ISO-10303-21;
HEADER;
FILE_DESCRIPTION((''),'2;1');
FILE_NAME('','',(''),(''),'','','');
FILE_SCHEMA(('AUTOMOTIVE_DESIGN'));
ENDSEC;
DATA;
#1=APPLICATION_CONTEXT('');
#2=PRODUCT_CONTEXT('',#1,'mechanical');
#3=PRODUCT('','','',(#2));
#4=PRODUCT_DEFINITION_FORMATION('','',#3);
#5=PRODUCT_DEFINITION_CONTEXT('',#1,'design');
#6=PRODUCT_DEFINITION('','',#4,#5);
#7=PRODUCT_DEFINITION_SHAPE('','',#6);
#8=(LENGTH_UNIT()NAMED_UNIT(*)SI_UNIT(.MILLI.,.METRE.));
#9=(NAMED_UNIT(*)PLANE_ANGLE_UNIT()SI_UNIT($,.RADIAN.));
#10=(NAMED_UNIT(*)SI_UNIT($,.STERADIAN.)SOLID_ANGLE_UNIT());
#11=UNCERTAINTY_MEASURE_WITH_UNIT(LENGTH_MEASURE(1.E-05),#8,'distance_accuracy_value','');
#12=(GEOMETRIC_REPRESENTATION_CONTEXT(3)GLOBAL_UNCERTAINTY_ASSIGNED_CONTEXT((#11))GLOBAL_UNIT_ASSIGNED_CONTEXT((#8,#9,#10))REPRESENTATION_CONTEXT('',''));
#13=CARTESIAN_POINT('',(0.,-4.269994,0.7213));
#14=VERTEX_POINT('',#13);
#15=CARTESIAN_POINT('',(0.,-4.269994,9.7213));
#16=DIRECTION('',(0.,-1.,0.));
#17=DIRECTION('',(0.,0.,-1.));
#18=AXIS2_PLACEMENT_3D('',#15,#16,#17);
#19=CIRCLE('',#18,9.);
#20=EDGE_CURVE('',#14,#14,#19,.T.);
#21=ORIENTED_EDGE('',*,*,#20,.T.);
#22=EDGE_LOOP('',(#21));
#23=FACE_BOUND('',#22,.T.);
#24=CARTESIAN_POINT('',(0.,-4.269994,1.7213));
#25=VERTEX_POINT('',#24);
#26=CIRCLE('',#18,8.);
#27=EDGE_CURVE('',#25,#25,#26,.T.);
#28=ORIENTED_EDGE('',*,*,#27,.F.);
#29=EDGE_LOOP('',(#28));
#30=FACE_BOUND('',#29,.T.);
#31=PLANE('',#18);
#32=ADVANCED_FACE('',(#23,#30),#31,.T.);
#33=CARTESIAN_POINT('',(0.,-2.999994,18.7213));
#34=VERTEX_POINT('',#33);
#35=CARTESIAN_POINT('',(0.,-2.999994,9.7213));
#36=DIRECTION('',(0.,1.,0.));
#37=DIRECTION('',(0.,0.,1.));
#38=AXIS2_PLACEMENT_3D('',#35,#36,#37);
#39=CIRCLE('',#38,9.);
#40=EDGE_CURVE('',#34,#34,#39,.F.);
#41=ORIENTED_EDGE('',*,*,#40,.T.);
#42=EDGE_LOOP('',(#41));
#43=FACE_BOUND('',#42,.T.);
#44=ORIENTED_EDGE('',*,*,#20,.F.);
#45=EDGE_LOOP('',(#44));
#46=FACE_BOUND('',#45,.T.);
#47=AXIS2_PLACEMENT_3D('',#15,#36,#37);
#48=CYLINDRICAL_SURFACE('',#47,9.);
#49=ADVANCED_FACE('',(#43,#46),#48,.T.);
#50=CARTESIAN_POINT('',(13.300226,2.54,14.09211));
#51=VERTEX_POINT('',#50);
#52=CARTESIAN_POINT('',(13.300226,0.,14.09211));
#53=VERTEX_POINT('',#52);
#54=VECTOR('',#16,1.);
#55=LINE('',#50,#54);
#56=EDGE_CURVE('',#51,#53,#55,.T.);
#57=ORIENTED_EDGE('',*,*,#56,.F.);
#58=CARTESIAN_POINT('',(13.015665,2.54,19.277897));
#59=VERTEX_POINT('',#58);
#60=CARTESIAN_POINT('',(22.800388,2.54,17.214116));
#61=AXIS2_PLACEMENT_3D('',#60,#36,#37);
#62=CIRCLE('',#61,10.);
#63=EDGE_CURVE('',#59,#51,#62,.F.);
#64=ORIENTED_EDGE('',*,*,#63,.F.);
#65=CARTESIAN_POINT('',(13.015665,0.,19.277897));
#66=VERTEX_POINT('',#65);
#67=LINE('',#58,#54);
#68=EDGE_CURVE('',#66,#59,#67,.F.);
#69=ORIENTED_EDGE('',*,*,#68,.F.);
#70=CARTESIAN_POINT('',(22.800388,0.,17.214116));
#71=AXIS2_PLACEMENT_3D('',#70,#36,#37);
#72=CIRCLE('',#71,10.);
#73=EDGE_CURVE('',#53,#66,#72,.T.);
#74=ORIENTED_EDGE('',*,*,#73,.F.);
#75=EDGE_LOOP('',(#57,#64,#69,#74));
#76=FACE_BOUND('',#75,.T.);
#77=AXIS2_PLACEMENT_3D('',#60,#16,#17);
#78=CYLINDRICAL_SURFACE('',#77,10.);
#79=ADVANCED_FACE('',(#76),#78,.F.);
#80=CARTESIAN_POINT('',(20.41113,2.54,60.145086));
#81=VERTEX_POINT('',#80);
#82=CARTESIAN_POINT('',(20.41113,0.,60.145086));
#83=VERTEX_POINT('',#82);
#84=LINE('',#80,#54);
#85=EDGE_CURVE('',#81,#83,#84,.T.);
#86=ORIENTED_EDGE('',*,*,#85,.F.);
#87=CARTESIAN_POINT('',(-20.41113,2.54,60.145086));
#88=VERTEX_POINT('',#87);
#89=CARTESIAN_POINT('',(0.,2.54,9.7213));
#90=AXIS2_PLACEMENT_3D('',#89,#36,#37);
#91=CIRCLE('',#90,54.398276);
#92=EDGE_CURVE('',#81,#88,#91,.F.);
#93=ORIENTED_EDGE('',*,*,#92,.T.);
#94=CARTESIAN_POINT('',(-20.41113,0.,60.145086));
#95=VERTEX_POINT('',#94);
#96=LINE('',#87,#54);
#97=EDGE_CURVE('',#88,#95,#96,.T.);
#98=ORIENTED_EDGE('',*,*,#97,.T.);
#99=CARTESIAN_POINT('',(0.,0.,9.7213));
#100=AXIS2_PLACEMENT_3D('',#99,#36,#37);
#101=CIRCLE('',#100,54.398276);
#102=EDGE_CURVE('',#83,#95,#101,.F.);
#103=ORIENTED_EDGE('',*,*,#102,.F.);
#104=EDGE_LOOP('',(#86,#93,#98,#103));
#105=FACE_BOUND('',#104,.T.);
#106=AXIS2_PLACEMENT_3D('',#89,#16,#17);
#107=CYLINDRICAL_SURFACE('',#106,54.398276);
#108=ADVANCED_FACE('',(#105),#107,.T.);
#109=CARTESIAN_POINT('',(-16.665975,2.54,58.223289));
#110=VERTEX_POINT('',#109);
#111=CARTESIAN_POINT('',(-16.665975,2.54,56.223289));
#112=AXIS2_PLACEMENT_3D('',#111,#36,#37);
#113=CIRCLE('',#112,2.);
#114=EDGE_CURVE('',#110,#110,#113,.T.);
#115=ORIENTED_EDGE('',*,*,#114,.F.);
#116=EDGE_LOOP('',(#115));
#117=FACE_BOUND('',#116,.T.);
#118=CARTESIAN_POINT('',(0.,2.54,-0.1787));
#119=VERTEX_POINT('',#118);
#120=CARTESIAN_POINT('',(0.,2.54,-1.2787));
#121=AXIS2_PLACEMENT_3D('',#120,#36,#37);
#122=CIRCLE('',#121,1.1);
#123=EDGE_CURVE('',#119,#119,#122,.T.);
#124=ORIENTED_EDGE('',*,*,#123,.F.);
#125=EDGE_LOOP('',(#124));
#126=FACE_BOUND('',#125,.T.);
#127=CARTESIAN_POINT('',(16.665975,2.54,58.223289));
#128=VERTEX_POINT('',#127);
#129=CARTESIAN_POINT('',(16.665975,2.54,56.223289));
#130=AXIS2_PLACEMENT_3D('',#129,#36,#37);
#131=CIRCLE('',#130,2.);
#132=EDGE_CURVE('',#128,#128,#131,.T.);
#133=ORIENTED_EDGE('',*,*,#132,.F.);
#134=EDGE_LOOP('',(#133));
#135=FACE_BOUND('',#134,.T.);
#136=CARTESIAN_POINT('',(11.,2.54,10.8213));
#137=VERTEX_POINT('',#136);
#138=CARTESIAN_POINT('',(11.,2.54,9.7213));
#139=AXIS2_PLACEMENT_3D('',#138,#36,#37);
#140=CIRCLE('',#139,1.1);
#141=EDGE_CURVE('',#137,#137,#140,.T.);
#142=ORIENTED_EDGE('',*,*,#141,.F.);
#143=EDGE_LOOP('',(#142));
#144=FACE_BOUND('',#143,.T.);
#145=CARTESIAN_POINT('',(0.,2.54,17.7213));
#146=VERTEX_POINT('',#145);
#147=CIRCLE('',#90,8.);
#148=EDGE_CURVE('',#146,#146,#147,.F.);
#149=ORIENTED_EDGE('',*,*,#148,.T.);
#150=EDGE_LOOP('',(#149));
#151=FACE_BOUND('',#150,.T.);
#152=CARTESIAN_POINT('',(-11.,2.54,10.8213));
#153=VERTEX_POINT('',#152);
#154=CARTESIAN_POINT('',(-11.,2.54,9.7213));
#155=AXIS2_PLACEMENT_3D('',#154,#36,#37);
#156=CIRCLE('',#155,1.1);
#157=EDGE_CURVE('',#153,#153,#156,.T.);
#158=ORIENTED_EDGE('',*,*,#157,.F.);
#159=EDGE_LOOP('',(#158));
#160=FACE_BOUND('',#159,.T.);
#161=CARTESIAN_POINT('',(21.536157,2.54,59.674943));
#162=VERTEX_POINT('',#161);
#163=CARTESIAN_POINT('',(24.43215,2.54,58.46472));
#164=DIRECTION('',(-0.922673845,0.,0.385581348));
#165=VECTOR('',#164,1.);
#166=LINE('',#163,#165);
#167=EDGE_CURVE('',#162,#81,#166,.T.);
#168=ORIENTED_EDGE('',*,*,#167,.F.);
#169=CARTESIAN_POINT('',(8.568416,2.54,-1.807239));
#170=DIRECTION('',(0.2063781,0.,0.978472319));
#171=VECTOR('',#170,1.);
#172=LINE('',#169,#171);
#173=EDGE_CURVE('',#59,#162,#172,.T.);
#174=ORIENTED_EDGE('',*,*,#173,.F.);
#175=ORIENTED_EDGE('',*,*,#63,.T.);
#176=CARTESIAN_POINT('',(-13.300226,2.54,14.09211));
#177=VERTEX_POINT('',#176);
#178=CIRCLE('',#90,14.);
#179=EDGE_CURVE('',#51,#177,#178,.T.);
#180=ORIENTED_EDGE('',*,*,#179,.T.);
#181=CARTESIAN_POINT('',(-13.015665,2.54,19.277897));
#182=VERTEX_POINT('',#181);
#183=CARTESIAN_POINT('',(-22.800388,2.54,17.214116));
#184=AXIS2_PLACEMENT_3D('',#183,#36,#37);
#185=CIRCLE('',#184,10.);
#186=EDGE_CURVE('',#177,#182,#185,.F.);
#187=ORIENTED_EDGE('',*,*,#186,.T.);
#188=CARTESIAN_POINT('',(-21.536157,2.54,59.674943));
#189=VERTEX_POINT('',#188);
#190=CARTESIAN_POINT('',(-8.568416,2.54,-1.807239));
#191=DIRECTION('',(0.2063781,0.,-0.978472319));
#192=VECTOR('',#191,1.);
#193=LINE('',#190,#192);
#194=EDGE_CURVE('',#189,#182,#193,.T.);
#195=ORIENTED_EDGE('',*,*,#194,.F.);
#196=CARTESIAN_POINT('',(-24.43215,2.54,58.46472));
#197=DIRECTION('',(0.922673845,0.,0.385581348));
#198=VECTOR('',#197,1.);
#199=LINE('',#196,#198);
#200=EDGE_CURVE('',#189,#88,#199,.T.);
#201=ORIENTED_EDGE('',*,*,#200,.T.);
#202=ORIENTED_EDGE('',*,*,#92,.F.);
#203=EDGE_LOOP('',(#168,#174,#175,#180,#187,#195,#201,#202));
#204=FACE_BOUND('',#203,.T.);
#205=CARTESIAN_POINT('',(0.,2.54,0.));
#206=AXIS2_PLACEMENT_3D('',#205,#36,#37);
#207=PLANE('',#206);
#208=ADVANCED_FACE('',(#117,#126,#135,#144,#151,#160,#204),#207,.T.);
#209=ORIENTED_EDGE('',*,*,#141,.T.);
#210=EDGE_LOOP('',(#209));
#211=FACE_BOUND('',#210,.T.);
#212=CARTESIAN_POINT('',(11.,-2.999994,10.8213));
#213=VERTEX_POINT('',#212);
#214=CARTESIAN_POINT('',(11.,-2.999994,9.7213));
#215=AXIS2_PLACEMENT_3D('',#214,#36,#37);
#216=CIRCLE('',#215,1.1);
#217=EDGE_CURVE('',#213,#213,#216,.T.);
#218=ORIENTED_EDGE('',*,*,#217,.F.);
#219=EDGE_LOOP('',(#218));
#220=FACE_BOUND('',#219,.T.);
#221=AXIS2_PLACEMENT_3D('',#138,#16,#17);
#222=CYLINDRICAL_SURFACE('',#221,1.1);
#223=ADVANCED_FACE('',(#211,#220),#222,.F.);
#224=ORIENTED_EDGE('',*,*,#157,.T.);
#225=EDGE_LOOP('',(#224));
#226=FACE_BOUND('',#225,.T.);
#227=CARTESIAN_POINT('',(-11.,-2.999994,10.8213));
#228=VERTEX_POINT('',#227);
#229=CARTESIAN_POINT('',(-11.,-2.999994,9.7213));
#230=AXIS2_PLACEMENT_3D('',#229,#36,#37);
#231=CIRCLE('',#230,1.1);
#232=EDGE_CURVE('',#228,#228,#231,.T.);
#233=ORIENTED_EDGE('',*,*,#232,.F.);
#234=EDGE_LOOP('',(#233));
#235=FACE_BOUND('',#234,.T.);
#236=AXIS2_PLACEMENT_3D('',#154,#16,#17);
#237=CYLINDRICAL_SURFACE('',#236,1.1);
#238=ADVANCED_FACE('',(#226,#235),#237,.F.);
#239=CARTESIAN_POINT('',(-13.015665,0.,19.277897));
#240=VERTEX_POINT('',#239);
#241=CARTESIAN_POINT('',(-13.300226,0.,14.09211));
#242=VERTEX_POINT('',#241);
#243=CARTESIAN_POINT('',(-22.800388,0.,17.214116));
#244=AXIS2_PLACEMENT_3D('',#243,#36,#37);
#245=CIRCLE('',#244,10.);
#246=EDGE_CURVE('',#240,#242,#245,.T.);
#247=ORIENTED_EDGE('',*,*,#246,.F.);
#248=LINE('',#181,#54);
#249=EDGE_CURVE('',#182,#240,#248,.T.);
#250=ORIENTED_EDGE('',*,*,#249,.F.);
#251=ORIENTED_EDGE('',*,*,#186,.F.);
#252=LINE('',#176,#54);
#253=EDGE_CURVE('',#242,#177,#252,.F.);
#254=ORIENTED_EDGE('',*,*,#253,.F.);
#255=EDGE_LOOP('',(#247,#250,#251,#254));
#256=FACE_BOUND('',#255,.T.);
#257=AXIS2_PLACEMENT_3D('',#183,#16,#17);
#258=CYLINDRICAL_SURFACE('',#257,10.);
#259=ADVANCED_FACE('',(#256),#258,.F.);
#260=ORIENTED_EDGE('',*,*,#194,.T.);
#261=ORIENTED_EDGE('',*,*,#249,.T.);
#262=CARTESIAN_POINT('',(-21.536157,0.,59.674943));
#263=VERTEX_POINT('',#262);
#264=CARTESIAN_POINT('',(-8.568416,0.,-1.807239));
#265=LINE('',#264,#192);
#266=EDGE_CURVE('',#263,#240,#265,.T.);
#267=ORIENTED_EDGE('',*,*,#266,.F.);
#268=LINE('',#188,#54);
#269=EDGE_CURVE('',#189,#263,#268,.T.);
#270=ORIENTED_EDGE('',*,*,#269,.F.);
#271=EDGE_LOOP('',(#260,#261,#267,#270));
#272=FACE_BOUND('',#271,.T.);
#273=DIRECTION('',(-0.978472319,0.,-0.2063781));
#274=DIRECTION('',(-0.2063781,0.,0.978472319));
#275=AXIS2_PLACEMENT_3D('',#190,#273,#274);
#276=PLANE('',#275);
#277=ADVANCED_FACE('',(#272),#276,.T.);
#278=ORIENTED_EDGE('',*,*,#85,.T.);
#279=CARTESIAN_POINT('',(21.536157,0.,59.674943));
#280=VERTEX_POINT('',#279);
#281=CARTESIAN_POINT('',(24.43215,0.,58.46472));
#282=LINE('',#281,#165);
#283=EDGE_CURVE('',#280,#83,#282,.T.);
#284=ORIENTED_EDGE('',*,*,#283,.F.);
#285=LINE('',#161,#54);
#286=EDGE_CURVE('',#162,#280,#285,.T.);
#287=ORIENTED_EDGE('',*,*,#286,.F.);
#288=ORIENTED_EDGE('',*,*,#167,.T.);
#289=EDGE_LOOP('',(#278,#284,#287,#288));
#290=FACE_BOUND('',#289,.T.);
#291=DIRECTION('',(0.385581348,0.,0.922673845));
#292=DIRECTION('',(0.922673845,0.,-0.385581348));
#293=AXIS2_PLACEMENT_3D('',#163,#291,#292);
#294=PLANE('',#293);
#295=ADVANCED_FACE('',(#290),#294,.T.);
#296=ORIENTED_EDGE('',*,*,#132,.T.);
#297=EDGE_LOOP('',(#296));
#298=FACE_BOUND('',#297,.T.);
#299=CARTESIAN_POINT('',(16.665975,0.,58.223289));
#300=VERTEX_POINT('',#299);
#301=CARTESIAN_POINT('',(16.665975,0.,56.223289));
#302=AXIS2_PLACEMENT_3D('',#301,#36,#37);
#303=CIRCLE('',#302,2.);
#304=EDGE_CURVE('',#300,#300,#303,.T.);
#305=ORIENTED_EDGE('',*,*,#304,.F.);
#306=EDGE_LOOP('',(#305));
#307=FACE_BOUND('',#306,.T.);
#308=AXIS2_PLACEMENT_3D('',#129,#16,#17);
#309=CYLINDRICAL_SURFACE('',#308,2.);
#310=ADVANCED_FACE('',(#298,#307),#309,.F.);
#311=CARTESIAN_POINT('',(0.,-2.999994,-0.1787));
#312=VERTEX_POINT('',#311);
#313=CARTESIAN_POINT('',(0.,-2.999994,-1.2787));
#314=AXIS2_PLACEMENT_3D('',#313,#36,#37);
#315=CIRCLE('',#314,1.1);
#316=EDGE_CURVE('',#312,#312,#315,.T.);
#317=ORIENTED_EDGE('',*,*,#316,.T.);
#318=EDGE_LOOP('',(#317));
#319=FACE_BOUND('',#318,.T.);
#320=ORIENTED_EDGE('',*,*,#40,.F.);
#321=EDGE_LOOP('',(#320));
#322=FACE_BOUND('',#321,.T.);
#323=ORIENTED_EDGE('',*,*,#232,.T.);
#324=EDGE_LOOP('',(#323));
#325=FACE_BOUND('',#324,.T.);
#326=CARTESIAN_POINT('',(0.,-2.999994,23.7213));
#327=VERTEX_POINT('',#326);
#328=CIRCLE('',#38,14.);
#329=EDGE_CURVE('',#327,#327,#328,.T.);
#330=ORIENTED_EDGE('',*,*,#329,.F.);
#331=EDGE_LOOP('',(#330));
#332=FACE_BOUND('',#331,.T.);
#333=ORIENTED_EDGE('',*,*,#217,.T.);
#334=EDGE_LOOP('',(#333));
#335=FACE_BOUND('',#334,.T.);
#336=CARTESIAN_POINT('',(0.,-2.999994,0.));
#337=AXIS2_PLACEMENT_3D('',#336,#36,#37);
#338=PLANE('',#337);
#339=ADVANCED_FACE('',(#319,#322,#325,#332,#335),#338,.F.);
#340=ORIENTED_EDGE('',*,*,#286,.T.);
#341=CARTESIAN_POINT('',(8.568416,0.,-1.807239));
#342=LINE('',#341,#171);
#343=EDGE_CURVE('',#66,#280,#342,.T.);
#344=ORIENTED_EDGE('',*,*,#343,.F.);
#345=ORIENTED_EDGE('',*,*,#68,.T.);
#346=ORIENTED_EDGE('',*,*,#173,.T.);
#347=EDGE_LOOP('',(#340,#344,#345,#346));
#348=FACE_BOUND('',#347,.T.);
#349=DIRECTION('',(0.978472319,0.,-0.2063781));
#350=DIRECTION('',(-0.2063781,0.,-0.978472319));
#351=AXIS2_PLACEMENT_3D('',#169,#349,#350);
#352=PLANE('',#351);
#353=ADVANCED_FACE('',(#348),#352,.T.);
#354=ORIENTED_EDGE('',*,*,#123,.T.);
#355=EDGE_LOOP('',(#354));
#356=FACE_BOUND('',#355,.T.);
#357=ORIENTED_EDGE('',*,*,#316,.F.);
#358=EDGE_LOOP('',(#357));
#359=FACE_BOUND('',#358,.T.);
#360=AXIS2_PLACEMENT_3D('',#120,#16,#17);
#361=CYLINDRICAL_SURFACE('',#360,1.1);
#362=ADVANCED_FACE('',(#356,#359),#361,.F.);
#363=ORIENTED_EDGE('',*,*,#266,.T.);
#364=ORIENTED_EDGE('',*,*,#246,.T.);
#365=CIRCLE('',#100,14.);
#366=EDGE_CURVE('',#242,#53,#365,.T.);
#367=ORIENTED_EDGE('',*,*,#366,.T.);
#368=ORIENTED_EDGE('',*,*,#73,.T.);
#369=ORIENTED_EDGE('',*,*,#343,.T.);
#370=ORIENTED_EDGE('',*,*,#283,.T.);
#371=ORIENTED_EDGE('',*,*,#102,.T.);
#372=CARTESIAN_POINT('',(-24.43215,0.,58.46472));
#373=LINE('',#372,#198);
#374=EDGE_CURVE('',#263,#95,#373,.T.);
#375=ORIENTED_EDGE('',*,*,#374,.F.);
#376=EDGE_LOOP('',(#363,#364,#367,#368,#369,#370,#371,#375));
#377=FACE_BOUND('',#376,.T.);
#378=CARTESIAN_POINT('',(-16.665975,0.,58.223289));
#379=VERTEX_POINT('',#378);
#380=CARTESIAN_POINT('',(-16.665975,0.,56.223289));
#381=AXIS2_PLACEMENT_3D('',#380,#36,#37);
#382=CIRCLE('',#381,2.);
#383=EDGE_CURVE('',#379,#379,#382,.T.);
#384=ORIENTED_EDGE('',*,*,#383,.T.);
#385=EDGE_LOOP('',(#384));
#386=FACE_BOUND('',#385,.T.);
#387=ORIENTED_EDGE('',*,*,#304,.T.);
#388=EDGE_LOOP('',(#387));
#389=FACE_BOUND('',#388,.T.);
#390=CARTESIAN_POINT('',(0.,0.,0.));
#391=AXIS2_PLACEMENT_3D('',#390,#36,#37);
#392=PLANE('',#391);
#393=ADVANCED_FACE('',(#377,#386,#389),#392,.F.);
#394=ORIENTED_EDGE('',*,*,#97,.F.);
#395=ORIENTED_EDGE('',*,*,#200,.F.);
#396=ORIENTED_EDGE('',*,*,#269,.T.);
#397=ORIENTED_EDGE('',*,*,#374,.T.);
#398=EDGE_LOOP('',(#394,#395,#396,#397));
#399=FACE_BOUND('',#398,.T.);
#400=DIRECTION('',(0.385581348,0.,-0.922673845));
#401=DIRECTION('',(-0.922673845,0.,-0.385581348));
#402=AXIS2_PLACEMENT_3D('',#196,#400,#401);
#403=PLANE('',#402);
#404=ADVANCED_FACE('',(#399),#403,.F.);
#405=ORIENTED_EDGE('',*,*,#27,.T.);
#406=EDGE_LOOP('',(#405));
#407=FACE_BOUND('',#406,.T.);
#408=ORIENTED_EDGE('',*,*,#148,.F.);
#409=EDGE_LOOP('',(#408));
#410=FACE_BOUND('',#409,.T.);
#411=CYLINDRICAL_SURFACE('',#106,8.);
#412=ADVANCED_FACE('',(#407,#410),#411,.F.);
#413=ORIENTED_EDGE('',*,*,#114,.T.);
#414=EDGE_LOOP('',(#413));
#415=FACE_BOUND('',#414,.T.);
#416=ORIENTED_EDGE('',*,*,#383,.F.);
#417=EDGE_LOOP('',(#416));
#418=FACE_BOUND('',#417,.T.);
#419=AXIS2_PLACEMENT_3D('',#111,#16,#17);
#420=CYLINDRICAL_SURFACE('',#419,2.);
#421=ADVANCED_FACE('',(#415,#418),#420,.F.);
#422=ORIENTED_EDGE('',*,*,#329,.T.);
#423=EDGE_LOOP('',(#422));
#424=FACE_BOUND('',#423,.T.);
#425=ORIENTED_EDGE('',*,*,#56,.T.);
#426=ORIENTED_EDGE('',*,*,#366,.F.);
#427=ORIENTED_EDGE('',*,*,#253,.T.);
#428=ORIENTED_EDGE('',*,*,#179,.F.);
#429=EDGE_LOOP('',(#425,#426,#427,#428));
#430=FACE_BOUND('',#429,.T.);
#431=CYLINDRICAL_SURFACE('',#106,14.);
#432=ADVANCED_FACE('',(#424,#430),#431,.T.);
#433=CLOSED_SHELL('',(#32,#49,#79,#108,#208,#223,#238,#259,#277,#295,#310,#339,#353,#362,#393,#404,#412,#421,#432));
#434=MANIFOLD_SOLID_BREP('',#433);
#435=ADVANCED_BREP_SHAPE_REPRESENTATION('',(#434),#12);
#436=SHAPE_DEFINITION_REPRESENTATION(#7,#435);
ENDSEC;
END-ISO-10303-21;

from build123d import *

# Parameters (mm, degrees)
SKETCH1_R           = 1.999999943
SKETCH1_R_2         = 1.1
SKETCH1_R_3         = 8
BOSS_EXTRUDE1_DEPTH = 2.54
FILLET2_R           = 10
BOSS_EXTRUDE2_START = -2.999994
SKETCH1_4_R         = 8
SKETCH1_4_R_2       = 1.1
BOSS_EXTRUDE2_DEPTH = 2.999994
BOSS_EXTRUDE3_START = 1.27
SKETCH2_R           = 9
SKETCH2_R_2         = 8
BOSS_EXTRUDE3_DEPTH = 1.27


with BuildPart() as part:
    # Sketch1 → Boss-Extrude1 (new body)
    with BuildSketch(Plane(origin=(0, 0, 0), x_dir=(1, 0, 0), z_dir=(0, 1, 0))):
        with BuildLine():
            Line((20.411129853, -60.145086441), (21.536156884, -59.674942586))
            Line((21.536156884, -59.674942586), (12.379162196, -16.260133485))
            ThreePointArc((12.379162196, -16.260133485), (0, 4.278699998), (-12.379162196, -16.260133485))
            Line((-12.379162196, -16.260133485), (-21.536156884, -59.674942586))
            Line((-21.536156884, -59.674942586), (-20.411129853, -60.145086441))
            ThreePointArc((-20.411129853, -60.145086441), (0, -64.119576268), (20.411129853, -60.145086441))
        make_face()
        with Locations((-16.665975394, -56.223288884)):
            Circle(SKETCH1_R, mode=Mode.SUBTRACT)
        with Locations((16.665975394, -56.223288884)):
            Circle(SKETCH1_R, mode=Mode.SUBTRACT)
        with Locations((-11, -9.721300002)):
            Circle(SKETCH1_R_2, mode=Mode.SUBTRACT)
        with Locations((0, -9.721300002)):
            Circle(SKETCH1_R_3, mode=Mode.SUBTRACT)
        with Locations((0, 1.278699998)):
            Circle(SKETCH1_R_2, mode=Mode.SUBTRACT)
        with Locations((11, -9.721300002)):
            Circle(SKETCH1_R_2, mode=Mode.SUBTRACT)
    extrude(amount=BOSS_EXTRUDE1_DEPTH)

    # Fillet2
    fillet2_edges = [part.edges().sort_by_distance(p)[0] for p in [
        (-12.379162196, 1.27, 16.260133485),
        (12.379162196, 1.27, 16.260133485),
    ]]
    fillet(fillet2_edges, radius=FILLET2_R)

    # Sketch1<4> → Boss-Extrude2 (add)
    with BuildSketch(Plane(origin=(0, 0, 0), x_dir=(1, 0, 0), z_dir=(0, 1, 0)).offset(BOSS_EXTRUDE2_START)):
        with BuildLine():
            ThreePointArc((-12.379162196, -16.260133485), (0, -23.721300002), (12.379162196, -16.260133485))
            ThreePointArc((12.379162196, -16.260133485), (13.588750324, -13.089662308), (14, -9.721300002))
            ThreePointArc((14, -9.721300002), (-3.368362306, 3.867450323), (-12.379162196, -16.260133485))
        make_face()
        with BuildLine():
            ThreePointArc((-9.9, -9.721300002), (-10.307077747, -10.575617712), (-11.22701591, -10.797619553))
            ThreePointArc((-11.22701591, -10.797619553), (-11.692922253, -8.866982291), (-9.9, -9.721300002))
        make_face(mode=Mode.SUBTRACT)
        with Locations((0, -9.721300002)):
            Circle(SKETCH1_4_R, mode=Mode.SUBTRACT)
        with Locations((0, 1.278699998)):
            Circle(SKETCH1_4_R_2, mode=Mode.SUBTRACT)
        with BuildLine():
            ThreePointArc((12.1, -9.721300002), (11.854317711, -10.414222255), (11.22701591, -10.797619553))
            ThreePointArc((11.22701591, -10.797619553), (10.145682289, -9.028377748), (12.1, -9.721300002))
        make_face(mode=Mode.SUBTRACT)
    extrude(amount=BOSS_EXTRUDE2_DEPTH)

    # Sketch2 → Boss-Extrude3 (add)
    with BuildSketch(Plane.XZ.offset(2.999994).offset(BOSS_EXTRUDE3_START)):
        with Locations((0, 9.721300002)):
            Circle(SKETCH2_R)
        with Locations((0, 9.721300002)):
            Circle(SKETCH2_R_2, mode=Mode.SUBTRACT)
    extrude(amount=-BOSS_EXTRUDE3_DEPTH)


solid = part.part
